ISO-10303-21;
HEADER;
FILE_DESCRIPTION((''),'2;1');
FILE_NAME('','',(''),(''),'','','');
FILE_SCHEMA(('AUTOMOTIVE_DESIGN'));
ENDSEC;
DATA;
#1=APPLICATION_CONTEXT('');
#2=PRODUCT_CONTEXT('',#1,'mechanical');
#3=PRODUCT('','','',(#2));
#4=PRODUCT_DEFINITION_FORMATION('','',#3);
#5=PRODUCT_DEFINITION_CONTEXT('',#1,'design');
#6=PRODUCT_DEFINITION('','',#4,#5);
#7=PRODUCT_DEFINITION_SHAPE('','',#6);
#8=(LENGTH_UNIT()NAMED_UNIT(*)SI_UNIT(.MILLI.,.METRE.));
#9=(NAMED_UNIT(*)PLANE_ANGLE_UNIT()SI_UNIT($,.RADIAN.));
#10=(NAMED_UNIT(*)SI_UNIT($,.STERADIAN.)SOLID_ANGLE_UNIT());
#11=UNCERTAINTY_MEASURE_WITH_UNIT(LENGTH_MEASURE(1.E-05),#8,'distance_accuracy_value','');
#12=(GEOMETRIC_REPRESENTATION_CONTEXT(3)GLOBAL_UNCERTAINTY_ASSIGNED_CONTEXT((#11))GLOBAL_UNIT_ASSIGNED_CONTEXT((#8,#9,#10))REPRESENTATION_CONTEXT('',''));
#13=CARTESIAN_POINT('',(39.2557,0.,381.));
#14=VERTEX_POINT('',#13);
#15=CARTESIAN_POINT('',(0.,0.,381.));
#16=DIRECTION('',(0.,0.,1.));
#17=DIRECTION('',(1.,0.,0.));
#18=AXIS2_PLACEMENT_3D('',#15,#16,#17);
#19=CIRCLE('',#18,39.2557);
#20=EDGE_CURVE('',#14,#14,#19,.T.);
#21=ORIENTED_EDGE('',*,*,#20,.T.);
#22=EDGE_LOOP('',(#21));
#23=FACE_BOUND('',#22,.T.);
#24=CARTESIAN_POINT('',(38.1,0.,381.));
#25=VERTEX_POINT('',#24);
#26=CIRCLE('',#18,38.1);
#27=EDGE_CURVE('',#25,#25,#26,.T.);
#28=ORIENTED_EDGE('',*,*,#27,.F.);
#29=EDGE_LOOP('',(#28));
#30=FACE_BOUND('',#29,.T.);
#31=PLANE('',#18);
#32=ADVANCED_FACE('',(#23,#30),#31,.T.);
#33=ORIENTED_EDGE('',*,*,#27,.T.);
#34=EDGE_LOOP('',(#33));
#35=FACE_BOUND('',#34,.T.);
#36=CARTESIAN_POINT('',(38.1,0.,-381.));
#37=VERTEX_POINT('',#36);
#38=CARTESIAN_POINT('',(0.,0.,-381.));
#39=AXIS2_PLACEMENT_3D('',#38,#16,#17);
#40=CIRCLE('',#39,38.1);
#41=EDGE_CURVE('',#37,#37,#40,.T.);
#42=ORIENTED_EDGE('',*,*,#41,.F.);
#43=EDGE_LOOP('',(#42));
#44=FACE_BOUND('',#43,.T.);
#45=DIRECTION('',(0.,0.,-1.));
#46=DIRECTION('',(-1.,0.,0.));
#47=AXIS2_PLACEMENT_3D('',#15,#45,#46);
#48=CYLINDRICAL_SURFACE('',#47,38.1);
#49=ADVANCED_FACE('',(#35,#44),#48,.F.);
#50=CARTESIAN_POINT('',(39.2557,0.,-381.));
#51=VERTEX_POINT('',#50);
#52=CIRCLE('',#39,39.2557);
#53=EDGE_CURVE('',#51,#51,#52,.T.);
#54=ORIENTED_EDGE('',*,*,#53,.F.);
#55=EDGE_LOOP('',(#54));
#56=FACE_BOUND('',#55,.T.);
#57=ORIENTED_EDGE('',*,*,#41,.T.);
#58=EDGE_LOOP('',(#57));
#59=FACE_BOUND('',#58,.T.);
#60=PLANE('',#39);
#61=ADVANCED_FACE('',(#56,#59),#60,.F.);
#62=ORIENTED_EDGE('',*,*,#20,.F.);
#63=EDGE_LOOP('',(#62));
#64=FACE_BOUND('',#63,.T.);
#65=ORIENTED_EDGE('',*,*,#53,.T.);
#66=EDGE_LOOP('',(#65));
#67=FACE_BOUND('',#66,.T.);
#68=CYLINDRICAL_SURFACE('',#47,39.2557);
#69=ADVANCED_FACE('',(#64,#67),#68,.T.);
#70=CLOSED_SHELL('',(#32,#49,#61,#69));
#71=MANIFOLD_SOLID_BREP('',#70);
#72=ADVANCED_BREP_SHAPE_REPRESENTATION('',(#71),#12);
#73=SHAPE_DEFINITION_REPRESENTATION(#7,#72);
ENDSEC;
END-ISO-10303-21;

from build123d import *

# Parameters (mm, degrees)
SKETCH1_R           = 39.2557
SKETCH1_R_2         = 38.1
BOSS_EXTRUDE1_DEPTH = 381


with BuildPart() as part:
    # Sketch1 → Boss-Extrude1 (new body, symmetric)
    with BuildSketch(Plane.XY):
        Circle(SKETCH1_R)
        Circle(SKETCH1_R_2, mode=Mode.SUBTRACT)
    extrude(amount=BOSS_EXTRUDE1_DEPTH, both=True)


solid = part.part
